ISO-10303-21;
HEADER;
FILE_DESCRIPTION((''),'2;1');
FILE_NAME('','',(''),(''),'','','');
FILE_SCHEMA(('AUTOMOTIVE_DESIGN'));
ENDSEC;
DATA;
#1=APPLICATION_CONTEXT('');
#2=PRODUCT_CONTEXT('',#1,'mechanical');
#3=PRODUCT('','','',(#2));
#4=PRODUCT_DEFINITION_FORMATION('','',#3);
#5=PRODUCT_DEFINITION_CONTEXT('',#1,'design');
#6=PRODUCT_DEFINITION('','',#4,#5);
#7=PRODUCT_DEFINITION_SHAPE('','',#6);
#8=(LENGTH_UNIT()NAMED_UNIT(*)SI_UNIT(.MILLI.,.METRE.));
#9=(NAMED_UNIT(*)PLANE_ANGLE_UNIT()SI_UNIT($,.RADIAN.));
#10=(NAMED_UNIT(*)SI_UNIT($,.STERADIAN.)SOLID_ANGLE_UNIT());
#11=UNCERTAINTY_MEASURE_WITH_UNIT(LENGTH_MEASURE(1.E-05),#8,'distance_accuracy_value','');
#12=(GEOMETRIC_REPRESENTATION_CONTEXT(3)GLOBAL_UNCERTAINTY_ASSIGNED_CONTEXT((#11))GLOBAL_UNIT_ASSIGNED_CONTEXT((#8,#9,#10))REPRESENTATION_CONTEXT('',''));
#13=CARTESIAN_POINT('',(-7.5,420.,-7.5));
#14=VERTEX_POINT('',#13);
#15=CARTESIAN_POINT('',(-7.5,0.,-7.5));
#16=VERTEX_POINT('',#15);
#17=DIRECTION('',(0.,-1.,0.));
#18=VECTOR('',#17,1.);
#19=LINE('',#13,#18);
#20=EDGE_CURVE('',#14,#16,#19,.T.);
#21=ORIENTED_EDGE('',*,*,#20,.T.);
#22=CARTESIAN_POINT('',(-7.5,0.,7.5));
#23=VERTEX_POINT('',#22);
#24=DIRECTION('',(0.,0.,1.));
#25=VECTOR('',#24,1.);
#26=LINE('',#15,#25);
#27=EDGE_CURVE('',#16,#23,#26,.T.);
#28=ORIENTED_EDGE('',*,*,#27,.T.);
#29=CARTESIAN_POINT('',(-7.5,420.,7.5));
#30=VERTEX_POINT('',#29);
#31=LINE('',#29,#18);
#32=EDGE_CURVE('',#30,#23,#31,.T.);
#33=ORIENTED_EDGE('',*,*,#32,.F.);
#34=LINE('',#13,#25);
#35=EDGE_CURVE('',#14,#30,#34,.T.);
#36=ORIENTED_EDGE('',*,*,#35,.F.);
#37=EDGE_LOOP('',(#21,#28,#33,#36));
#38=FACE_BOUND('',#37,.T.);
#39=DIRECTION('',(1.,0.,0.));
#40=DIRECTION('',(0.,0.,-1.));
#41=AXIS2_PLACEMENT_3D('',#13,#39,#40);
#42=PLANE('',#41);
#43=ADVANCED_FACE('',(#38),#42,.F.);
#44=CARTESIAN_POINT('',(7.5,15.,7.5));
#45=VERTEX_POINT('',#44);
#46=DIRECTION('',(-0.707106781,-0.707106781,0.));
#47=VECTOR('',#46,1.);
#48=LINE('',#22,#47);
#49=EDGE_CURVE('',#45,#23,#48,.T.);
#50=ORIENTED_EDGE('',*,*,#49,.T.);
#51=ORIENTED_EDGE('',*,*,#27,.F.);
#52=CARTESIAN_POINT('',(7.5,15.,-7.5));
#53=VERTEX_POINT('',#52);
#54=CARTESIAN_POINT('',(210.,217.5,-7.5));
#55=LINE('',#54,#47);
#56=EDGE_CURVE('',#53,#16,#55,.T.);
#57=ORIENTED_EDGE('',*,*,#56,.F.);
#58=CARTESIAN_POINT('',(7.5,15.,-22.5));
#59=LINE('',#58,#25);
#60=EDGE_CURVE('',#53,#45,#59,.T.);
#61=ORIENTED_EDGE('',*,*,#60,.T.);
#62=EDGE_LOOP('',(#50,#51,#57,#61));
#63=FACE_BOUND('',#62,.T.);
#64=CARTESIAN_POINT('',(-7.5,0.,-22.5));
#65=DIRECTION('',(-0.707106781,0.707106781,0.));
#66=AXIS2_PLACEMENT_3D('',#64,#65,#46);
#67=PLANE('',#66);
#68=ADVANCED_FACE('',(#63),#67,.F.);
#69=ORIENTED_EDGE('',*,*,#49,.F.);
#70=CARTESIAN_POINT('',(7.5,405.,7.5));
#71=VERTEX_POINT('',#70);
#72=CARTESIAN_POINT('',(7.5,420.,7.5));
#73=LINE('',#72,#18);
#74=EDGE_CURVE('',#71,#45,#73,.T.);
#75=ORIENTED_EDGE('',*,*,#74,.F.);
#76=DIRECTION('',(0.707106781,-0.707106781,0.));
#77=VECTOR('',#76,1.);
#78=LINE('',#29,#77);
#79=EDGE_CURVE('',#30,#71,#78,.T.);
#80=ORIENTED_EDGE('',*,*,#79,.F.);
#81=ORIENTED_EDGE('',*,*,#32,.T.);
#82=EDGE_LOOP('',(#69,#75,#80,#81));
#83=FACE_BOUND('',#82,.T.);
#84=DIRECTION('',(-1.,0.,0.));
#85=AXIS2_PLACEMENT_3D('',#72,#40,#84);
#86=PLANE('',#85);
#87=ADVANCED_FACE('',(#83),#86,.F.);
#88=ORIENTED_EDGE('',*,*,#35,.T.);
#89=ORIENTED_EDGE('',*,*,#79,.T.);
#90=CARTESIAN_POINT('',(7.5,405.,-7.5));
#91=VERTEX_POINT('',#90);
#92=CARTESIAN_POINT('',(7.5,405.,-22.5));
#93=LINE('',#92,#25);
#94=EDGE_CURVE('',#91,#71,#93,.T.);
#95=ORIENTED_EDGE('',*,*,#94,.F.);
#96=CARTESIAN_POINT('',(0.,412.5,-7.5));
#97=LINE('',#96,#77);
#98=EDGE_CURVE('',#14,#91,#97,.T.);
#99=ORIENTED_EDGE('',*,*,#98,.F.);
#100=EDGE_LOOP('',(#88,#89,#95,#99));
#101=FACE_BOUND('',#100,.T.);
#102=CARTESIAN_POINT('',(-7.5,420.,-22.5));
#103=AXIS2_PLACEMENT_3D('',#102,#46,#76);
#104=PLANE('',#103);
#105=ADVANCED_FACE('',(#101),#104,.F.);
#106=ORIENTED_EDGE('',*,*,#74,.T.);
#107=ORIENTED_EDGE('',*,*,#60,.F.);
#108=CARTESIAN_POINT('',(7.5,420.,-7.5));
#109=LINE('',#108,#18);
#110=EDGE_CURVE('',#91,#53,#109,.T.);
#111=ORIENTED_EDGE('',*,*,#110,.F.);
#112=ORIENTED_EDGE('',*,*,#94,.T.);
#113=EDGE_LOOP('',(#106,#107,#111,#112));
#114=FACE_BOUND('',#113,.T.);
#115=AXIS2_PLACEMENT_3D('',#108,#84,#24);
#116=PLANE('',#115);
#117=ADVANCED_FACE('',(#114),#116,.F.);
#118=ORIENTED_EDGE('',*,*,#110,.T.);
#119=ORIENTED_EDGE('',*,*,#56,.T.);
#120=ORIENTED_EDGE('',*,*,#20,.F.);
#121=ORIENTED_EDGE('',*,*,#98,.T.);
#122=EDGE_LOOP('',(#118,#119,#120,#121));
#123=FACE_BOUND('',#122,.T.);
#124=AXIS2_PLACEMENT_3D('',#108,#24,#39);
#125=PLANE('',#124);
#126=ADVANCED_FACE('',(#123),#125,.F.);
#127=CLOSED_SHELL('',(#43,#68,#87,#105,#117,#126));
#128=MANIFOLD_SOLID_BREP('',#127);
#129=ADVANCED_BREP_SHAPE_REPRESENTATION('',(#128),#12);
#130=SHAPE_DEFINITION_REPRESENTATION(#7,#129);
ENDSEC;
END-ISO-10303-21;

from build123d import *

# Parameters (mm, degrees)
SKETCH1_W           = 15
SKETCH1_H           = 15
BOSS_EXTRUDE1_DEPTH = 420
CUT_EXTRUDE1_DEPTH  = 30


with BuildPart() as part:
    # Sketch1 → Boss-Extrude1 (new body)
    with BuildSketch(Plane(origin=(0, 0, 0), x_dir=(1, 0, 0), z_dir=(0, 1, 0))):
        Rectangle(SKETCH1_W, SKETCH1_H)
    extrude(amount=BOSS_EXTRUDE1_DEPTH)

    # Sketch2 → Cut-Extrude1 (cut)
    with BuildSketch(Plane.XY.offset(7.5)):
        Polygon((-7.5, 420), (7.5, 405), (7.5, 420), align=None)
        Polygon((-7.5, 0), (7.5, 15), (7.5, 0), align=None)
    extrude(amount=-CUT_EXTRUDE1_DEPTH, mode=Mode.SUBTRACT)


solid = part.part
